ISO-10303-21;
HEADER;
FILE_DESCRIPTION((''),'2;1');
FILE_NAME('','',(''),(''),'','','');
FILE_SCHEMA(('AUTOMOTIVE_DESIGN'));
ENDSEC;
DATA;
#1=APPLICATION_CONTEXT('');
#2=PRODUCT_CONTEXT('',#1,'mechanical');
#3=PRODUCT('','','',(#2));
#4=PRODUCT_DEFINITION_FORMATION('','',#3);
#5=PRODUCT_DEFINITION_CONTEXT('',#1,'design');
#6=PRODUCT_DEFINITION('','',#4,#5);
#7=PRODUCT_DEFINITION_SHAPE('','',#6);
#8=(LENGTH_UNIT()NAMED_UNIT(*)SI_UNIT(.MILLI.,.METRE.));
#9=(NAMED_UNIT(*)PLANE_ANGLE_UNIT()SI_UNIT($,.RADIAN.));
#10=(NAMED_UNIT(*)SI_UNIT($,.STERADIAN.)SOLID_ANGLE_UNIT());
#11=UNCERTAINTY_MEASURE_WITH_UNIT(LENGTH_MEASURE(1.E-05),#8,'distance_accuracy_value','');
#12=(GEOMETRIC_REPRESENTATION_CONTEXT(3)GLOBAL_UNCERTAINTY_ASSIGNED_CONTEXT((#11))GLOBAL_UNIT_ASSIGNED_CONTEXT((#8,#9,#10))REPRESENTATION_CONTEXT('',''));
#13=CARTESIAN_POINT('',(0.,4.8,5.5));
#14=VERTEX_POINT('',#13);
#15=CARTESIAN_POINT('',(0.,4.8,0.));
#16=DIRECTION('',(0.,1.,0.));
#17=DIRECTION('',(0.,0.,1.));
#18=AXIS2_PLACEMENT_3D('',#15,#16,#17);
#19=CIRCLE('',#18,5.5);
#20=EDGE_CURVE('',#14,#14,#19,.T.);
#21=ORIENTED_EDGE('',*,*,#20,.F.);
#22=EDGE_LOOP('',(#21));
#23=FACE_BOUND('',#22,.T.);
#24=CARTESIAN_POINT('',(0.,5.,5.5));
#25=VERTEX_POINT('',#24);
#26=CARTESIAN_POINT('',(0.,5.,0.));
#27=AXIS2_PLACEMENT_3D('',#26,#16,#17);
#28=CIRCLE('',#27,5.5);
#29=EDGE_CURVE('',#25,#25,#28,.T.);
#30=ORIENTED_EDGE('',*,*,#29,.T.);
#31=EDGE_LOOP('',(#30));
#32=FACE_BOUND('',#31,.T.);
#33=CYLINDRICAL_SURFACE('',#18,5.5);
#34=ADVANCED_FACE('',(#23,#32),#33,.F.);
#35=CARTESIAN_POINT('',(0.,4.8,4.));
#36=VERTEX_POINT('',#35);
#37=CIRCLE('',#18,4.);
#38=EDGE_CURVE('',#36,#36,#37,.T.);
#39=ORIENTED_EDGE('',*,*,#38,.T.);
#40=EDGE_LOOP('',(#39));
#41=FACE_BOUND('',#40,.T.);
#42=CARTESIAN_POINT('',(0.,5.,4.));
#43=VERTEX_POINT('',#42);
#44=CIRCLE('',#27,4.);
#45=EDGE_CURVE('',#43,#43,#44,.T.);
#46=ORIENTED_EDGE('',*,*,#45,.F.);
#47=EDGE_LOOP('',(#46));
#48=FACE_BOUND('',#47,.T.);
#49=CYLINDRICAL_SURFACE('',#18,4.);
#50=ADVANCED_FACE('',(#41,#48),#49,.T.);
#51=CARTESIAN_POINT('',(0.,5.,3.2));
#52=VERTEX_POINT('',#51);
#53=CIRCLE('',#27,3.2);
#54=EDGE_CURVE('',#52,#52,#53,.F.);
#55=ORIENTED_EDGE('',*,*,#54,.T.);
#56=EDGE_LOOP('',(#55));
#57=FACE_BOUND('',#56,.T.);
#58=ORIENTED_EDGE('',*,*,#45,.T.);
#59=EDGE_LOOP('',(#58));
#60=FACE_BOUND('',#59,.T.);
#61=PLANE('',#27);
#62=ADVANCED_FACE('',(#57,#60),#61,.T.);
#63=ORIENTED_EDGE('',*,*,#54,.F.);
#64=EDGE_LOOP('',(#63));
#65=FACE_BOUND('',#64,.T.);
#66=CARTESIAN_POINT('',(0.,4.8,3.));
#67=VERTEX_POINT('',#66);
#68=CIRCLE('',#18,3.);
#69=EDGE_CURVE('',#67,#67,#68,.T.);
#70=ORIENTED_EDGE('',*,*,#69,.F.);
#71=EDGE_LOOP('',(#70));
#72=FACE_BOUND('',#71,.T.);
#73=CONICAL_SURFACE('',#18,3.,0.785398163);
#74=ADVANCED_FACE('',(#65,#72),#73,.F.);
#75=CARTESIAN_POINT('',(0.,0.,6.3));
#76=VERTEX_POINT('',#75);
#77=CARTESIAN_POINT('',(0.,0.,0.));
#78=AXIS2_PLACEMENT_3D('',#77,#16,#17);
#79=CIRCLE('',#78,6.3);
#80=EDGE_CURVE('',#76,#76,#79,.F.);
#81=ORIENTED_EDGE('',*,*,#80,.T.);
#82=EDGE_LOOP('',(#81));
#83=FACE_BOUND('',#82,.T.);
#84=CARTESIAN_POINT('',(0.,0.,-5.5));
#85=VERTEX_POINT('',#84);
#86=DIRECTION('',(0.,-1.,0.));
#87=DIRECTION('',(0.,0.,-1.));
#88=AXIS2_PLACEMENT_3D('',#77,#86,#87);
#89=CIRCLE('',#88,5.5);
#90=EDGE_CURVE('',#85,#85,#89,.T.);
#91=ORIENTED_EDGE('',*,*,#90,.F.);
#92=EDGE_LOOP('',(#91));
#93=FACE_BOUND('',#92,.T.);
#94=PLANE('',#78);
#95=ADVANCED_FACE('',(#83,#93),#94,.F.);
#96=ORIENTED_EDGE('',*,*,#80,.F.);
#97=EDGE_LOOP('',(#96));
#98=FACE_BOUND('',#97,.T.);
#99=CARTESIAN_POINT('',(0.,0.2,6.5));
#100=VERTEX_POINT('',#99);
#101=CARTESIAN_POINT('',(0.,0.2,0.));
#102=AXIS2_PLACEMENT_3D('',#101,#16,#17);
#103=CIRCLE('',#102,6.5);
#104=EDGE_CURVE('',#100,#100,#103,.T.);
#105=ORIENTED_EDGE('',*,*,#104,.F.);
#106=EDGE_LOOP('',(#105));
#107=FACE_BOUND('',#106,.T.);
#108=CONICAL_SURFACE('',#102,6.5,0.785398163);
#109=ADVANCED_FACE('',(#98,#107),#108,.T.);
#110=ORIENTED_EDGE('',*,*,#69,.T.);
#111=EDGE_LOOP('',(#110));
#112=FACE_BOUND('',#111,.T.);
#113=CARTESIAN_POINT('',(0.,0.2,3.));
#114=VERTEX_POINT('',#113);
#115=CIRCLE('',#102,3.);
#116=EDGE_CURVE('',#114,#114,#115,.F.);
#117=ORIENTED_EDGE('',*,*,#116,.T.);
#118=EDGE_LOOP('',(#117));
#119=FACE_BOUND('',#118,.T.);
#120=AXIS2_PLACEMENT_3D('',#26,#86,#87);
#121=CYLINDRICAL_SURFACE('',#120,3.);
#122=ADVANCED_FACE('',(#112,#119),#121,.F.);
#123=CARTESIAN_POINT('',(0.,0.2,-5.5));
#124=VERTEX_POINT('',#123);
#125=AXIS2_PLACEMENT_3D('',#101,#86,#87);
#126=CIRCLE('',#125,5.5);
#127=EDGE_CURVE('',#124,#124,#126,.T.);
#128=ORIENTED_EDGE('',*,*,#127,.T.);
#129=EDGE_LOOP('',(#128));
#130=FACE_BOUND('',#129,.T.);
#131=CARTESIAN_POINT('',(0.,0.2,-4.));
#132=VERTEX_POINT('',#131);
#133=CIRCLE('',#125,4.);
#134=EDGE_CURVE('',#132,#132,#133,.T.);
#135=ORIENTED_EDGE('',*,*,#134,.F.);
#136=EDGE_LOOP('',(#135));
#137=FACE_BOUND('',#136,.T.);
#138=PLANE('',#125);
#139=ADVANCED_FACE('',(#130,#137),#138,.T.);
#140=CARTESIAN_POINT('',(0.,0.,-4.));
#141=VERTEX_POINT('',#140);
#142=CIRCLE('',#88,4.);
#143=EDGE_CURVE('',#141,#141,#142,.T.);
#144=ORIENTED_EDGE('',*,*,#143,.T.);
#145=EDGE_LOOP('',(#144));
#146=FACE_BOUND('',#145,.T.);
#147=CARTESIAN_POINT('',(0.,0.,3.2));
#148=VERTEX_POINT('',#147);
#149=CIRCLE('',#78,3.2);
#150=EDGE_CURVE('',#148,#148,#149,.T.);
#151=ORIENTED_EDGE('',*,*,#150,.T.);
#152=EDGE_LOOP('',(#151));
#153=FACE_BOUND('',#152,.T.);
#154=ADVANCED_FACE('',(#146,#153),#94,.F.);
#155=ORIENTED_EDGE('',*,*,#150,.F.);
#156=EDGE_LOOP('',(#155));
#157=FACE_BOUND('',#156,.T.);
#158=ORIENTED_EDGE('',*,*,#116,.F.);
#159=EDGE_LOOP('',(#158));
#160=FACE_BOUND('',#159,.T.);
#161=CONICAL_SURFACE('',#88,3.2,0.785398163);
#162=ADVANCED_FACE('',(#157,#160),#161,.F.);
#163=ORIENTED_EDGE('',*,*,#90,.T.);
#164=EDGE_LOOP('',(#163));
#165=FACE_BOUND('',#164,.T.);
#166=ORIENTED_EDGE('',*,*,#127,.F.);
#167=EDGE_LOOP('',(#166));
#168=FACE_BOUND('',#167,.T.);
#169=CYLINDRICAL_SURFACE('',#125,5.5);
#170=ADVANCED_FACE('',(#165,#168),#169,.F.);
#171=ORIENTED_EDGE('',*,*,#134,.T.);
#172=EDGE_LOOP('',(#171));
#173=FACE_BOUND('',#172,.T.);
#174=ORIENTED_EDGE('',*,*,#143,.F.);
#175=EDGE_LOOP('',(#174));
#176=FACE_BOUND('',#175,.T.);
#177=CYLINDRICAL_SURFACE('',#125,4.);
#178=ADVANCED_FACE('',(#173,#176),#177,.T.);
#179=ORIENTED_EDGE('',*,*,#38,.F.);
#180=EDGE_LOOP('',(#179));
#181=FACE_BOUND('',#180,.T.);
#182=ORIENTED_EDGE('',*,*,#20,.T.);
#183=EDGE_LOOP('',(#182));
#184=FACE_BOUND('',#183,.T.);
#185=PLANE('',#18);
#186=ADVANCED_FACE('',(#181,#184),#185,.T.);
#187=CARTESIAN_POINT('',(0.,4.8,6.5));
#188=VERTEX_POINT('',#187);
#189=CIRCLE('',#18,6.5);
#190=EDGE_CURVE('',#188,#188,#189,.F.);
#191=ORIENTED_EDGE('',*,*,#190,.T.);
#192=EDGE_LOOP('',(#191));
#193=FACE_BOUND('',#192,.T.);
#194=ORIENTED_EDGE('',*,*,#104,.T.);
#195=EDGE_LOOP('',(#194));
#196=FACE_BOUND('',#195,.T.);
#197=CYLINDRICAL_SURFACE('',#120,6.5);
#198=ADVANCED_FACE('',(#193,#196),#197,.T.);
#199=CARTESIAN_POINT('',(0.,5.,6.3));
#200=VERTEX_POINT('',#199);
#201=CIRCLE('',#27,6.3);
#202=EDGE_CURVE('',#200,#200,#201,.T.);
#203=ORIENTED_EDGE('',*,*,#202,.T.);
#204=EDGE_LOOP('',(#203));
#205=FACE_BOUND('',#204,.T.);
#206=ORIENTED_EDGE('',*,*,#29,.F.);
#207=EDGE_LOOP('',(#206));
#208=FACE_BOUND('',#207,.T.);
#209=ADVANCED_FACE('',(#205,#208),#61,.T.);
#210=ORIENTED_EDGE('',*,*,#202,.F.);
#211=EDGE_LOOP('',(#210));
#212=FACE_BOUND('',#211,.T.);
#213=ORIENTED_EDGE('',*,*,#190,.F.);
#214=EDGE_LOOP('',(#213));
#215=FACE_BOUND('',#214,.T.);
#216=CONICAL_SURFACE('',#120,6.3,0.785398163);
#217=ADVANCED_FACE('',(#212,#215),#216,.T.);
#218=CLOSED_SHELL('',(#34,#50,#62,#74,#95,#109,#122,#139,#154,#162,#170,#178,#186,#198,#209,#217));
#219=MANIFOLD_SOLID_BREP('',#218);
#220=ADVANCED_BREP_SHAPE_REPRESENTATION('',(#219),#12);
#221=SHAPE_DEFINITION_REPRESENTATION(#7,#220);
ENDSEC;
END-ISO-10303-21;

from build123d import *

# Parameters (mm, degrees)
SKETCH1_R           = 6.5
SKETCH1_R_2         = 3
BOSS_EXTRUDE1_DEPTH = 5
SKETCH2_R           = 5.5
SKETCH2_R_2         = 4
CUT_EXTRUDE1_DEPTH  = 0.2
CUT_EXTRUDE2_START  = -0.2
SKETCH3_R           = 5.5
SKETCH3_R_2         = 4
CUT_EXTRUDE2_DEPTH  = 0.2
CHAMFER1_SIZE       = 0.2


with BuildPart() as part:
    # Sketch1 → Boss-Extrude1 (new body)
    with BuildSketch(Plane(origin=(0, 0, 0), x_dir=(1, 0, 0), z_dir=(0, 1, 0))):
        with Locations(Location((0, 0, 0), (0, 0, 270))):
            Circle(SKETCH1_R)
        with Locations(Location((0, 0, 0), (0, 0, 270))):
            Circle(SKETCH1_R_2, mode=Mode.SUBTRACT)
    extrude(amount=BOSS_EXTRUDE1_DEPTH)

    # Sketch2 → Cut-Extrude1 (cut)
    with BuildSketch(Plane(origin=(0, 5, 0), x_dir=(1, 0, 0), z_dir=(0, 1, 0))):
        with Locations(Location((0, 0, 0), (0, 0, 270))):
            Circle(SKETCH2_R)
        with Locations(Location((0, 0, 0), (0, 0, 270))):
            Circle(SKETCH2_R_2, mode=Mode.SUBTRACT)
    extrude(amount=-CUT_EXTRUDE1_DEPTH, mode=Mode.SUBTRACT)

    # Sketch3 → Cut-Extrude2 (cut)
    with BuildSketch(Plane.XZ.offset(CUT_EXTRUDE2_START)):
        with Locations(Location((0, 0, 0), (0, 0, 90))):
            Circle(SKETCH3_R)
        with Locations(Location((0, 0, 0), (0, 0, 90))):
            Circle(SKETCH3_R_2, mode=Mode.SUBTRACT)
    extrude(amount=CUT_EXTRUDE2_DEPTH, mode=Mode.SUBTRACT)

    # Chamfer1
    chamfer1_edges = [part.edges().sort_by_distance(p)[0] for p in [
        (0, 0, -6.5),
        (0, 5, -6.5),
        (0, 0, -3),
        (0, 5, -3),
    ]]
    chamfer(chamfer1_edges, length=CHAMFER1_SIZE)


solid = part.part
